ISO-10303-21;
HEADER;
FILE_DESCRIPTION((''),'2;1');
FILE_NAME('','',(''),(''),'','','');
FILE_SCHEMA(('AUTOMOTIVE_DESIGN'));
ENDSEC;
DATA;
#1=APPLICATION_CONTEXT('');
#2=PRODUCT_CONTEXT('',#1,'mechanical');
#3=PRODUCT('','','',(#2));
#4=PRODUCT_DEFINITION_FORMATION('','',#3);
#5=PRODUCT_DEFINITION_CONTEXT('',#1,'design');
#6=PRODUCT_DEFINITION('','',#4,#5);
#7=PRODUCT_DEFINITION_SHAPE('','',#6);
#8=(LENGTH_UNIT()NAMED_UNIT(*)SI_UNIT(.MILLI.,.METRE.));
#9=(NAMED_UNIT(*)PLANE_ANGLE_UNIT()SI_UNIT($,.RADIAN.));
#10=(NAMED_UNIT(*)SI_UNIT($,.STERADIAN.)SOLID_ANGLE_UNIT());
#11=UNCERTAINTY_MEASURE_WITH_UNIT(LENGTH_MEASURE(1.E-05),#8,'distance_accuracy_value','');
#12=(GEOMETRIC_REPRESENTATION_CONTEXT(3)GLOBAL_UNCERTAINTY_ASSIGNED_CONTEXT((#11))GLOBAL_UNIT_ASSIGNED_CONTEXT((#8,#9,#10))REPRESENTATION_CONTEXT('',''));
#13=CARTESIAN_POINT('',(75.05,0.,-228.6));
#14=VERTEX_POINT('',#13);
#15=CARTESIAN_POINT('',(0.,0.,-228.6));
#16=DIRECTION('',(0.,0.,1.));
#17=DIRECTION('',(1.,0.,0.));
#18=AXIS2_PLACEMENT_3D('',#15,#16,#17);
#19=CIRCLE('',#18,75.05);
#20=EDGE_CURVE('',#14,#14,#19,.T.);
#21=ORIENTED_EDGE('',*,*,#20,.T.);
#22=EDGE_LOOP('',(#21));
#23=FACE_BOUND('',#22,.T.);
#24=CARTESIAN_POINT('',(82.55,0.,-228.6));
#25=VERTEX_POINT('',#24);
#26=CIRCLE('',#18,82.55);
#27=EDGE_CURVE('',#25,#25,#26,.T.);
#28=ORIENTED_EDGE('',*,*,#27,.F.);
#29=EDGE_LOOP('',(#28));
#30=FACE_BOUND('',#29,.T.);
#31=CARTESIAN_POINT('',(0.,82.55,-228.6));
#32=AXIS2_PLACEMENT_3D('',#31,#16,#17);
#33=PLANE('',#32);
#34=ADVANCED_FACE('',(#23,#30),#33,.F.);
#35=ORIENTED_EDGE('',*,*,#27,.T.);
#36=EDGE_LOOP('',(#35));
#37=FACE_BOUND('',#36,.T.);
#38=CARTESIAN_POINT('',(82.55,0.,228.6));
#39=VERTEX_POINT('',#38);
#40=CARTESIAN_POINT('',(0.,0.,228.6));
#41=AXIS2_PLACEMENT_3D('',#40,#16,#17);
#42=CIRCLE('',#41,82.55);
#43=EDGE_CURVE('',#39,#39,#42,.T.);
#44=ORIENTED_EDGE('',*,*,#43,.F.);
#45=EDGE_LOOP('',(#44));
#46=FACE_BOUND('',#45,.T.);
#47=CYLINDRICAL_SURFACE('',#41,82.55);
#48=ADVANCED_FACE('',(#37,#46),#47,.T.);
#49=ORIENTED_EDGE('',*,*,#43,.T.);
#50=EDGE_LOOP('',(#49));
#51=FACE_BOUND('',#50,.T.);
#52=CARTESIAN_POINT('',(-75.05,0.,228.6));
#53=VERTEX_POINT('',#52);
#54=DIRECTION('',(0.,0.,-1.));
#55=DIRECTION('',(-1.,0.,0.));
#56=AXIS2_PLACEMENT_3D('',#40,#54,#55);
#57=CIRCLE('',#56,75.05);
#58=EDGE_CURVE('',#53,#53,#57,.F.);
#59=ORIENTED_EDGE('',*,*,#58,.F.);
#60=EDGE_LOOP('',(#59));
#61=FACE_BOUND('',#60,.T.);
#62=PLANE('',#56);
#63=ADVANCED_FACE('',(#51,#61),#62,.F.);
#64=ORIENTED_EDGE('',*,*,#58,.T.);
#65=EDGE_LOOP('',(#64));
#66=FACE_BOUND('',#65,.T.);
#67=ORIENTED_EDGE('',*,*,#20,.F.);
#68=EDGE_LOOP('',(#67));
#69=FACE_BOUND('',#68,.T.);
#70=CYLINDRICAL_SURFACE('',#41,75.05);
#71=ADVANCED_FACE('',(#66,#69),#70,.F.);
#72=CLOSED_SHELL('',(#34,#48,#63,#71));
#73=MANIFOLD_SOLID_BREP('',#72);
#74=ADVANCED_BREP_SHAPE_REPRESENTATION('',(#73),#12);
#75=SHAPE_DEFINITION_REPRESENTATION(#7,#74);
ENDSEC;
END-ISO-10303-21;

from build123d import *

# Parameters (mm, degrees)
SKETCH1_W = 457.2
SKETCH1_H = 82.55
SHELL4_T  = -7.5


with BuildPart() as part:
    # Sketch1 → Revolve1 (revolve)
    with BuildSketch(Plane(origin=(0, 0, 0), x_dir=(0, 0, -1), z_dir=(1, 0, 0)), mode=Mode.PRIVATE) as revolve1_sk:
        with Locations((0, 41.275)):
            Rectangle(SKETCH1_W, SKETCH1_H)
    revolve(revolve1_sk.sketch.rotate(Axis((0, 0, 228.6), (0, 0, -1)), 90), axis=Axis((0, 0, 228.6), (0, 0, -1)))

    # Shell4
    shell4_openings = [part.faces().sort_by_distance(p)[0] for p in [
        (0, 0, -228.6),
        (0, 0, 228.6),
    ]]
    offset(amount=SHELL4_T, openings=shell4_openings, kind=Kind.INTERSECTION)


solid = part.part
